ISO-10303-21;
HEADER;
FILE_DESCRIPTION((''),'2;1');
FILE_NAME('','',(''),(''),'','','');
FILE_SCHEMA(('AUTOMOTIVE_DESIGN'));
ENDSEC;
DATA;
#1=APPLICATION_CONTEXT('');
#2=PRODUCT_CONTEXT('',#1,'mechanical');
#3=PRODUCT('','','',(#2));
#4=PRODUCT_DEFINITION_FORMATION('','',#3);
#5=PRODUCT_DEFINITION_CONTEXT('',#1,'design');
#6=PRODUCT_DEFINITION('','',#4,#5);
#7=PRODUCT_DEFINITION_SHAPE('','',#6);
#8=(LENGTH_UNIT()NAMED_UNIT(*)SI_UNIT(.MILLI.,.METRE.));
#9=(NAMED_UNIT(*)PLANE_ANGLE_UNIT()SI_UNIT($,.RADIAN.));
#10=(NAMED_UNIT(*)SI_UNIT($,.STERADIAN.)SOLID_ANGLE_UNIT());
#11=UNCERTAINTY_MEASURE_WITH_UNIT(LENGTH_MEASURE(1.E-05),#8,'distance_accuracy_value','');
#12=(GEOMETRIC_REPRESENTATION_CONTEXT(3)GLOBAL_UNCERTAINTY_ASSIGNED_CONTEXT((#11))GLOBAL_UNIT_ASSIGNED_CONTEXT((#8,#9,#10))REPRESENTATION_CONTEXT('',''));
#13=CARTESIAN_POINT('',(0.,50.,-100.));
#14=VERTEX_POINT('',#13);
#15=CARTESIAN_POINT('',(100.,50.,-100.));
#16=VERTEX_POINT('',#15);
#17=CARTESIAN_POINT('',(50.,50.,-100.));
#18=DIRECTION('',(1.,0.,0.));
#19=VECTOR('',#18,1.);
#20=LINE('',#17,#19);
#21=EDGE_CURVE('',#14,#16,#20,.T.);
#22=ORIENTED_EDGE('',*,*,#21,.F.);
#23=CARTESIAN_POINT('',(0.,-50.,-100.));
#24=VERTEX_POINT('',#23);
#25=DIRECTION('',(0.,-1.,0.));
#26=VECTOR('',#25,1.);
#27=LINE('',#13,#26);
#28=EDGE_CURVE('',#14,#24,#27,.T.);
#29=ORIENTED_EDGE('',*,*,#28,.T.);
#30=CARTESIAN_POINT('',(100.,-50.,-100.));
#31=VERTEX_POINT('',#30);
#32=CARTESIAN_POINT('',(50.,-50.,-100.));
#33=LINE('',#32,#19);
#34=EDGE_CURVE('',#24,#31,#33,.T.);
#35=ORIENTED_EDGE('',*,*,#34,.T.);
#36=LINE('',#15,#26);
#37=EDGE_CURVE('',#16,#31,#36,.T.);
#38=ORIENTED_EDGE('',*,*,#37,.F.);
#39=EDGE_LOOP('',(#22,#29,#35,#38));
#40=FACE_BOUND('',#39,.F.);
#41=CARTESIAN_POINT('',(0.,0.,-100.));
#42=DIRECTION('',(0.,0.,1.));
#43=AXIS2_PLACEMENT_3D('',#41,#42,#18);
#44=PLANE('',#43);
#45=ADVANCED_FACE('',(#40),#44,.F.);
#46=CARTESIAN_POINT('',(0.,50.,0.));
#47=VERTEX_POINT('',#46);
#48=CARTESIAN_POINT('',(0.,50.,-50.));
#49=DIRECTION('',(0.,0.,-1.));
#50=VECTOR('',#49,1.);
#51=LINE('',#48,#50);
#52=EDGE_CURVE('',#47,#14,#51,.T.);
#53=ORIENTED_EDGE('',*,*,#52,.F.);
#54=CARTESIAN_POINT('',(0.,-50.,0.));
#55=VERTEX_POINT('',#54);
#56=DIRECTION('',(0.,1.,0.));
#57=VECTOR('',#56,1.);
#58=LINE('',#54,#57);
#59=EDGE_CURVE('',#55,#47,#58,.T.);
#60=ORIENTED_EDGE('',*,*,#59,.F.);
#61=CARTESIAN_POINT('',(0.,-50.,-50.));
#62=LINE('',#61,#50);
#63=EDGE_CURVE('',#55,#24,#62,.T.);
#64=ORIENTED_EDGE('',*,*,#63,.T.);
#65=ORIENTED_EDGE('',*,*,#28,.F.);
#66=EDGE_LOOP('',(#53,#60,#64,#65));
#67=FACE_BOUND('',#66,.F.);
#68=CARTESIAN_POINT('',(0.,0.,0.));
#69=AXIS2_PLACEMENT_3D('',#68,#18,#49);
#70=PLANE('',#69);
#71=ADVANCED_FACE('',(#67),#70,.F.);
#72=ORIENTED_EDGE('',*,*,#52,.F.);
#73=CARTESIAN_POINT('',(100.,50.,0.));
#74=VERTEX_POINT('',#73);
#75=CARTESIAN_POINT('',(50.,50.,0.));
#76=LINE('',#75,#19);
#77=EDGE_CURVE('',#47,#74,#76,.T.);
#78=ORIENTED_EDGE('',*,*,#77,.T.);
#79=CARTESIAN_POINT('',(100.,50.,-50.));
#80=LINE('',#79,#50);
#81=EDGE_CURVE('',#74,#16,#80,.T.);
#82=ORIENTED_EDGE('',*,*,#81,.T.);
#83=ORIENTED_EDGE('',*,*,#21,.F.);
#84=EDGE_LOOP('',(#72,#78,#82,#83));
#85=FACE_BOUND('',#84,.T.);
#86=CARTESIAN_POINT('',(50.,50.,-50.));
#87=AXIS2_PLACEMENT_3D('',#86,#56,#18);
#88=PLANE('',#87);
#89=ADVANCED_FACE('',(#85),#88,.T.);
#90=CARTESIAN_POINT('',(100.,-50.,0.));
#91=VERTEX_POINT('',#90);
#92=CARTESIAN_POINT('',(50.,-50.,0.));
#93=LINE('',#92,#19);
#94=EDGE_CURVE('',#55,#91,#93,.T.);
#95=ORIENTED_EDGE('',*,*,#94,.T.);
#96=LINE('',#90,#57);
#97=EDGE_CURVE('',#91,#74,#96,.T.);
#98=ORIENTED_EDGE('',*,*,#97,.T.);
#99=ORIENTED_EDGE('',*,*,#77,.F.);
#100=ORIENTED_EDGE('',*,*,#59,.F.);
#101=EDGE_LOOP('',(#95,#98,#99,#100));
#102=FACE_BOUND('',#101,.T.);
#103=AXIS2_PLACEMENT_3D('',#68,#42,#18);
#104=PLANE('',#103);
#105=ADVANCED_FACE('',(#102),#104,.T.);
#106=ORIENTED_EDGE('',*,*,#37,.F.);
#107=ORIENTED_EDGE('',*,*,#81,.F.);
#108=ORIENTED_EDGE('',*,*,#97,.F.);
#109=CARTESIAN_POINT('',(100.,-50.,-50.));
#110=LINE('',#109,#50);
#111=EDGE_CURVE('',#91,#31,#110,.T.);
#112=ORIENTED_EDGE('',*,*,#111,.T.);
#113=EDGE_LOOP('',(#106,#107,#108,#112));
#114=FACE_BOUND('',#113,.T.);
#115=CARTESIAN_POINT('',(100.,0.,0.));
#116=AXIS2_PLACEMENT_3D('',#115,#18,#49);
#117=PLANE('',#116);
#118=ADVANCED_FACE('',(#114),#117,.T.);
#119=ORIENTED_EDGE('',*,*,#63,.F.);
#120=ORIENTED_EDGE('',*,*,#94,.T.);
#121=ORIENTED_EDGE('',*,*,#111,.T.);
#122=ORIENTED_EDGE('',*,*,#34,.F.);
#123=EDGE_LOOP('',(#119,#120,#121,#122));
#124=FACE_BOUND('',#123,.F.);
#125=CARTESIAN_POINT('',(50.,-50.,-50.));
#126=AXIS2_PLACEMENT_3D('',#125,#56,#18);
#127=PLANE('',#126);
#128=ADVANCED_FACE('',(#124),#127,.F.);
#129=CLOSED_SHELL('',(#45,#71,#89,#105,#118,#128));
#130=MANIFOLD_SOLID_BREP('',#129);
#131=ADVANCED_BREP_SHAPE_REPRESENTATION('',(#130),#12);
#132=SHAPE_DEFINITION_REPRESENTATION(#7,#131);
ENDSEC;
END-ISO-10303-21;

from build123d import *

# Parameters (mm, degrees)
SKIZZE1_W               = 100
SKIZZE1_H               = 100
LINEAR_AUSTRAGEN1_DEPTH = 50


with BuildPart() as part:
    # Skizze1 → Linear austragen1 (new body, symmetric)
    with BuildSketch(Plane(origin=(0, 0, 0), x_dir=(1, 0, 0), z_dir=(0, 1, 0))):
        with Locations((50, 50)):
            Rectangle(SKIZZE1_W, SKIZZE1_H)
    extrude(amount=LINEAR_AUSTRAGEN1_DEPTH, both=True)


solid = part.part
